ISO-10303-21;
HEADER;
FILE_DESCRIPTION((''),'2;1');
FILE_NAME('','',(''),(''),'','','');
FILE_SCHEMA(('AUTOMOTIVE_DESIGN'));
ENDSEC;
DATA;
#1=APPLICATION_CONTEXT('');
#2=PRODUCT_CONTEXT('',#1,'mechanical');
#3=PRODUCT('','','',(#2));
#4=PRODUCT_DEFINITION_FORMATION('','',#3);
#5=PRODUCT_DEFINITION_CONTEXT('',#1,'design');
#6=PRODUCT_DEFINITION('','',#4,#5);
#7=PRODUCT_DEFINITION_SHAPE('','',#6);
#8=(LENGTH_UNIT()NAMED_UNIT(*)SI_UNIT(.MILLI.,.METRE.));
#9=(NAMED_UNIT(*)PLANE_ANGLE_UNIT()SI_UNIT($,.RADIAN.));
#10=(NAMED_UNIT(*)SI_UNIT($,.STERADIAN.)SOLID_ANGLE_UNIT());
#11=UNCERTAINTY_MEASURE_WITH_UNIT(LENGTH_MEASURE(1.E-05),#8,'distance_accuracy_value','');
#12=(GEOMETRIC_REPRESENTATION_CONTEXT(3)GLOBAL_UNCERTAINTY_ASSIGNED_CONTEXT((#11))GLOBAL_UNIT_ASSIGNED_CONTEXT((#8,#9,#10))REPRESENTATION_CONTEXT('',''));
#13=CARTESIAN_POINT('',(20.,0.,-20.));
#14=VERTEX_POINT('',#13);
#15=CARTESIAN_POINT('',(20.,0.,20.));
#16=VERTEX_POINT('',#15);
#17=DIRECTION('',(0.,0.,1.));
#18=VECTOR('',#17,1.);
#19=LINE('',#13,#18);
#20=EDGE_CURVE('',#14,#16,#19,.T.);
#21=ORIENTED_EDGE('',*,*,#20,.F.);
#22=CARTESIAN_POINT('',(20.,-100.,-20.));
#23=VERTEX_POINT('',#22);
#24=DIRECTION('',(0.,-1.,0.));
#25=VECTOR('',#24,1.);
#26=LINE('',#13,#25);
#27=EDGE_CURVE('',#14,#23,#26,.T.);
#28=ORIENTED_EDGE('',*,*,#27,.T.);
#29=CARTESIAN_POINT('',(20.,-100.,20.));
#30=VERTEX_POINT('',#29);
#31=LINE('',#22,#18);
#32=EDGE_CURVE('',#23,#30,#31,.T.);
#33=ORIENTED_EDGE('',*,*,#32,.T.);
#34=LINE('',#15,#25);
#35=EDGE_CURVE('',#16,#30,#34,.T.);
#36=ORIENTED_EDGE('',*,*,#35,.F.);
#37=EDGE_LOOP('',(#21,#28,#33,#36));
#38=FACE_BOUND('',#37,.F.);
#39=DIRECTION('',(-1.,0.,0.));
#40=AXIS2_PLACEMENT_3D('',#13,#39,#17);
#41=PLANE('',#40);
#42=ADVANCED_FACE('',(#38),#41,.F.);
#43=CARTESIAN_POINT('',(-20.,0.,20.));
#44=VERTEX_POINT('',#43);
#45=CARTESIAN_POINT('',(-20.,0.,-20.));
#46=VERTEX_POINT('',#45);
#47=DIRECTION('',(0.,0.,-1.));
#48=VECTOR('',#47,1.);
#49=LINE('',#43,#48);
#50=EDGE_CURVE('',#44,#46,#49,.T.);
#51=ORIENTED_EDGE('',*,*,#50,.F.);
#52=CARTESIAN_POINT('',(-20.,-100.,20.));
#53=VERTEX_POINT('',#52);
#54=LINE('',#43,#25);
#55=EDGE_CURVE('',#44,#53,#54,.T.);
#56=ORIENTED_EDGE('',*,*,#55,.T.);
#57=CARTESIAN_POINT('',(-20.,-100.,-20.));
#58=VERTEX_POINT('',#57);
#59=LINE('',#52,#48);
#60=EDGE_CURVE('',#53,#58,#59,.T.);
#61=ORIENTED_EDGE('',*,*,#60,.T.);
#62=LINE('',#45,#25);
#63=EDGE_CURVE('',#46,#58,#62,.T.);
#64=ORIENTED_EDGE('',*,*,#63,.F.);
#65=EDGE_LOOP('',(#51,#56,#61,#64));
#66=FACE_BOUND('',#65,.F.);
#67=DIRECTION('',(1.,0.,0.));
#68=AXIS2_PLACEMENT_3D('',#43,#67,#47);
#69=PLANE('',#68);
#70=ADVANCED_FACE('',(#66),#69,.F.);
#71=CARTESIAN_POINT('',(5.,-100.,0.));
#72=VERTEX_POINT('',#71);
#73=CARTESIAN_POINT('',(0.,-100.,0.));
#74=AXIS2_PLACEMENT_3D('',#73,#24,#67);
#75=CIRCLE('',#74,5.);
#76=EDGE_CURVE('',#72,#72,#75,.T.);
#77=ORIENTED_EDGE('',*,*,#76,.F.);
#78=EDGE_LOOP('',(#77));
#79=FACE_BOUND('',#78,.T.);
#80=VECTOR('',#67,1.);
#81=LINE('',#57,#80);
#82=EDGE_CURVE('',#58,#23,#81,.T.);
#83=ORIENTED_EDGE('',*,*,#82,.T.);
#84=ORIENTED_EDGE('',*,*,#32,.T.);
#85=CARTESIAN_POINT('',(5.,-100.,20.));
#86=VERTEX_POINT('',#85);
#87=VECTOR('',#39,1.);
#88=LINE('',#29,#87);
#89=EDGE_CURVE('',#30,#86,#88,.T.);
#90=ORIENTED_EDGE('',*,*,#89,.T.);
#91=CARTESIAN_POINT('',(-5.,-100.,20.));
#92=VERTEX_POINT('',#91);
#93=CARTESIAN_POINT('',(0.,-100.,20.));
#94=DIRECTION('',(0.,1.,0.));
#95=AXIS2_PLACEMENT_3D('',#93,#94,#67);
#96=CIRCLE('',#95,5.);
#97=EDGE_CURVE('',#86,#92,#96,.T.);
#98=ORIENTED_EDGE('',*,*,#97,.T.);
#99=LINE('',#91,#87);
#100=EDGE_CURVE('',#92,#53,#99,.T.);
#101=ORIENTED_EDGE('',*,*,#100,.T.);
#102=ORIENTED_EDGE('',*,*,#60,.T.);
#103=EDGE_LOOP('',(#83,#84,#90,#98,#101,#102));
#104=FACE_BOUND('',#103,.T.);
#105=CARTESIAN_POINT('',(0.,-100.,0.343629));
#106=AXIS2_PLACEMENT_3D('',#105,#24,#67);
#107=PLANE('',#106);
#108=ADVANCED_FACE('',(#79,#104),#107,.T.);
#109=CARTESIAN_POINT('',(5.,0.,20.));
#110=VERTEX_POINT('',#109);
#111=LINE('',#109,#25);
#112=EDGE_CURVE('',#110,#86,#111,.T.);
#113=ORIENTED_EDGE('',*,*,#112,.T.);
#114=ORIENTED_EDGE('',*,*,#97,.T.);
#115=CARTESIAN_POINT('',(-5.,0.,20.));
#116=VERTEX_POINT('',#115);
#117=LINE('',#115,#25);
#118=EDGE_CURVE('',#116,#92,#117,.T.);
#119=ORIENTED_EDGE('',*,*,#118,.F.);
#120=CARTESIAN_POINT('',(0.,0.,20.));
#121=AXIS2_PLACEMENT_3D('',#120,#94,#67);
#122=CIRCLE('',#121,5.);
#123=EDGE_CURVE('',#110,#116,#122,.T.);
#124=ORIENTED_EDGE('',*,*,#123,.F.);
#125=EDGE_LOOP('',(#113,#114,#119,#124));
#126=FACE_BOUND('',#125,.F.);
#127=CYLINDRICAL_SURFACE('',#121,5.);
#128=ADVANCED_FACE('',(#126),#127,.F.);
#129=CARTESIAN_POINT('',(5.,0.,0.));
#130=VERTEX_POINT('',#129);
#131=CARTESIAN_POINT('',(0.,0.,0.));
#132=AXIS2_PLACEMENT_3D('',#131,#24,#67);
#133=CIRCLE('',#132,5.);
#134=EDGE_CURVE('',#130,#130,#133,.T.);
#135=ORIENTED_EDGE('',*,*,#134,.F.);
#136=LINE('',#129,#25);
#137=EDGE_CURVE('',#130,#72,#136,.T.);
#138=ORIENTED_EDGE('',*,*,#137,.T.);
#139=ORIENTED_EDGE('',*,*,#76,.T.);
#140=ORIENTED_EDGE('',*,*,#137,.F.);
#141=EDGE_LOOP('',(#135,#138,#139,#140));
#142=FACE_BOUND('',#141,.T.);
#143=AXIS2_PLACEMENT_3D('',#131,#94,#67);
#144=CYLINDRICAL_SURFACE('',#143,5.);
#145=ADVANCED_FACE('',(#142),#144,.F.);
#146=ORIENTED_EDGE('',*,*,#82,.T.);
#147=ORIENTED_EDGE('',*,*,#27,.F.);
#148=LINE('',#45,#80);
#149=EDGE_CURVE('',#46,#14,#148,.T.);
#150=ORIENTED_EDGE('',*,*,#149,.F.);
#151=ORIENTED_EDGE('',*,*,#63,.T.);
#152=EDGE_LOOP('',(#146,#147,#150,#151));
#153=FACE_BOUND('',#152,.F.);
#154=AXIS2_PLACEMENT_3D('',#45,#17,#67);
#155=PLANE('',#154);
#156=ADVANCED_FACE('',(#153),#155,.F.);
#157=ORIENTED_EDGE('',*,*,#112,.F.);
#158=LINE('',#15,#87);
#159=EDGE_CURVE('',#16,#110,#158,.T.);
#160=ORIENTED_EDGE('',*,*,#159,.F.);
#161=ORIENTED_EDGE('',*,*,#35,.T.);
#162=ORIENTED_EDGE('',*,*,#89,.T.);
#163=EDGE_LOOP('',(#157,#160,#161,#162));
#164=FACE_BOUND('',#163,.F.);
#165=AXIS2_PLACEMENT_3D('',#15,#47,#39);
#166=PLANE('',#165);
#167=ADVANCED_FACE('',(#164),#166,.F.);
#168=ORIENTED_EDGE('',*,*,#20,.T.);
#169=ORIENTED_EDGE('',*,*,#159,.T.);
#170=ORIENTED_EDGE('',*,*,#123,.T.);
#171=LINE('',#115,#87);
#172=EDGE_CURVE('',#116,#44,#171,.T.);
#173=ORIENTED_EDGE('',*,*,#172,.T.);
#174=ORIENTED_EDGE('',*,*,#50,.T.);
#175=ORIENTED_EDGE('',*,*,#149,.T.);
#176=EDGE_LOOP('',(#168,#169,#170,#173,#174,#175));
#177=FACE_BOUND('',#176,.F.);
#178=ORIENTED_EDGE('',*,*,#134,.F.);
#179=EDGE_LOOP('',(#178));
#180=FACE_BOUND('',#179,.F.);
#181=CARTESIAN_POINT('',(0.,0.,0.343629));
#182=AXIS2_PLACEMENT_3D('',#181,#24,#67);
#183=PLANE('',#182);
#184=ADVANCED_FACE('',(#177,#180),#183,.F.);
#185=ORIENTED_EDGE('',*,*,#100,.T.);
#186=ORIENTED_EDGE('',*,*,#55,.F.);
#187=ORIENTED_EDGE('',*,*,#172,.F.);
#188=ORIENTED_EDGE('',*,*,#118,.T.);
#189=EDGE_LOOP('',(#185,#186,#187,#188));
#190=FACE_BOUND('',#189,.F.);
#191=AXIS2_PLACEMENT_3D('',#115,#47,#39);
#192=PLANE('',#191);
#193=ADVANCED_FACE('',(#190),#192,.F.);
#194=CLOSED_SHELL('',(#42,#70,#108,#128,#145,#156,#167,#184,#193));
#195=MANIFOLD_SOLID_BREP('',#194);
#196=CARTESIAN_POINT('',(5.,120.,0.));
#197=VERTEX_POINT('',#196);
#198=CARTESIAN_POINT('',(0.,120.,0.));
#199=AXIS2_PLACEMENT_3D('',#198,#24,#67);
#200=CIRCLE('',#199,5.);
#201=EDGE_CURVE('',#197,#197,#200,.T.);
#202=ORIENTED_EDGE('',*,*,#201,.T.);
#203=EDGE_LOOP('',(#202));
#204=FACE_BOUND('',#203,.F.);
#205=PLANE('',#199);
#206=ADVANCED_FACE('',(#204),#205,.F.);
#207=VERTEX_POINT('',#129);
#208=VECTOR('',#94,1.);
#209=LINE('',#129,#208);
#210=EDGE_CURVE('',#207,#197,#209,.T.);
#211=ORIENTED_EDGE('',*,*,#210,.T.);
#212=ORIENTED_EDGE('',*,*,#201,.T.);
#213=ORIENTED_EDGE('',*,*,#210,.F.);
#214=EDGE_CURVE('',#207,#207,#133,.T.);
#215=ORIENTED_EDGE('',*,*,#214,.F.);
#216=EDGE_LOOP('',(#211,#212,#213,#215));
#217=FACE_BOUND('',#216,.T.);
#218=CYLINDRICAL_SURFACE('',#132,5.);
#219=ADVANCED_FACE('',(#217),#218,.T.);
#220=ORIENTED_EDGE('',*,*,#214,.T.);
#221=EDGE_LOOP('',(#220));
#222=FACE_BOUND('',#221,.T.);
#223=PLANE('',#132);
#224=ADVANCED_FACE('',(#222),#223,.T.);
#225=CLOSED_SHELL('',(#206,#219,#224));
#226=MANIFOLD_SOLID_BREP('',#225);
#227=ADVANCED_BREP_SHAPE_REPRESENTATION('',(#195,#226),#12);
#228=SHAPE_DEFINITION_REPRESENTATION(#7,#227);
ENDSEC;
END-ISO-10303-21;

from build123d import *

# Parameters (mm, degrees)
F0_R     = 5
F1_DEPTH = 100
F2_R     = 5
F3_DEPTH = 120


with BuildPart() as f1:
    # F0 (on Front) → F1 (new body)
    with BuildSketch(Plane.XZ):
        with BuildLine():
            Line((-5, 20), (-20, 20))
            Line((-20, 20), (-20, -20))
            Line((-20, -20), (20, -20))
            Line((20, -20), (20, 20))
            Line((20, 20), (5, 20))
            ThreePointArc((5, 20), (0, 15), (-5, 20))
        make_face()
        Circle(F0_R, mode=Mode.SUBTRACT)
    extrude(amount=F1_DEPTH)


with BuildPart() as f3:
    # F2 (on Front) → F3 (new body)
    with BuildSketch(Plane.XZ):
        Circle(F2_R)
    extrude(amount=-F3_DEPTH)


solid = Compound([f1.part, f3.part])
